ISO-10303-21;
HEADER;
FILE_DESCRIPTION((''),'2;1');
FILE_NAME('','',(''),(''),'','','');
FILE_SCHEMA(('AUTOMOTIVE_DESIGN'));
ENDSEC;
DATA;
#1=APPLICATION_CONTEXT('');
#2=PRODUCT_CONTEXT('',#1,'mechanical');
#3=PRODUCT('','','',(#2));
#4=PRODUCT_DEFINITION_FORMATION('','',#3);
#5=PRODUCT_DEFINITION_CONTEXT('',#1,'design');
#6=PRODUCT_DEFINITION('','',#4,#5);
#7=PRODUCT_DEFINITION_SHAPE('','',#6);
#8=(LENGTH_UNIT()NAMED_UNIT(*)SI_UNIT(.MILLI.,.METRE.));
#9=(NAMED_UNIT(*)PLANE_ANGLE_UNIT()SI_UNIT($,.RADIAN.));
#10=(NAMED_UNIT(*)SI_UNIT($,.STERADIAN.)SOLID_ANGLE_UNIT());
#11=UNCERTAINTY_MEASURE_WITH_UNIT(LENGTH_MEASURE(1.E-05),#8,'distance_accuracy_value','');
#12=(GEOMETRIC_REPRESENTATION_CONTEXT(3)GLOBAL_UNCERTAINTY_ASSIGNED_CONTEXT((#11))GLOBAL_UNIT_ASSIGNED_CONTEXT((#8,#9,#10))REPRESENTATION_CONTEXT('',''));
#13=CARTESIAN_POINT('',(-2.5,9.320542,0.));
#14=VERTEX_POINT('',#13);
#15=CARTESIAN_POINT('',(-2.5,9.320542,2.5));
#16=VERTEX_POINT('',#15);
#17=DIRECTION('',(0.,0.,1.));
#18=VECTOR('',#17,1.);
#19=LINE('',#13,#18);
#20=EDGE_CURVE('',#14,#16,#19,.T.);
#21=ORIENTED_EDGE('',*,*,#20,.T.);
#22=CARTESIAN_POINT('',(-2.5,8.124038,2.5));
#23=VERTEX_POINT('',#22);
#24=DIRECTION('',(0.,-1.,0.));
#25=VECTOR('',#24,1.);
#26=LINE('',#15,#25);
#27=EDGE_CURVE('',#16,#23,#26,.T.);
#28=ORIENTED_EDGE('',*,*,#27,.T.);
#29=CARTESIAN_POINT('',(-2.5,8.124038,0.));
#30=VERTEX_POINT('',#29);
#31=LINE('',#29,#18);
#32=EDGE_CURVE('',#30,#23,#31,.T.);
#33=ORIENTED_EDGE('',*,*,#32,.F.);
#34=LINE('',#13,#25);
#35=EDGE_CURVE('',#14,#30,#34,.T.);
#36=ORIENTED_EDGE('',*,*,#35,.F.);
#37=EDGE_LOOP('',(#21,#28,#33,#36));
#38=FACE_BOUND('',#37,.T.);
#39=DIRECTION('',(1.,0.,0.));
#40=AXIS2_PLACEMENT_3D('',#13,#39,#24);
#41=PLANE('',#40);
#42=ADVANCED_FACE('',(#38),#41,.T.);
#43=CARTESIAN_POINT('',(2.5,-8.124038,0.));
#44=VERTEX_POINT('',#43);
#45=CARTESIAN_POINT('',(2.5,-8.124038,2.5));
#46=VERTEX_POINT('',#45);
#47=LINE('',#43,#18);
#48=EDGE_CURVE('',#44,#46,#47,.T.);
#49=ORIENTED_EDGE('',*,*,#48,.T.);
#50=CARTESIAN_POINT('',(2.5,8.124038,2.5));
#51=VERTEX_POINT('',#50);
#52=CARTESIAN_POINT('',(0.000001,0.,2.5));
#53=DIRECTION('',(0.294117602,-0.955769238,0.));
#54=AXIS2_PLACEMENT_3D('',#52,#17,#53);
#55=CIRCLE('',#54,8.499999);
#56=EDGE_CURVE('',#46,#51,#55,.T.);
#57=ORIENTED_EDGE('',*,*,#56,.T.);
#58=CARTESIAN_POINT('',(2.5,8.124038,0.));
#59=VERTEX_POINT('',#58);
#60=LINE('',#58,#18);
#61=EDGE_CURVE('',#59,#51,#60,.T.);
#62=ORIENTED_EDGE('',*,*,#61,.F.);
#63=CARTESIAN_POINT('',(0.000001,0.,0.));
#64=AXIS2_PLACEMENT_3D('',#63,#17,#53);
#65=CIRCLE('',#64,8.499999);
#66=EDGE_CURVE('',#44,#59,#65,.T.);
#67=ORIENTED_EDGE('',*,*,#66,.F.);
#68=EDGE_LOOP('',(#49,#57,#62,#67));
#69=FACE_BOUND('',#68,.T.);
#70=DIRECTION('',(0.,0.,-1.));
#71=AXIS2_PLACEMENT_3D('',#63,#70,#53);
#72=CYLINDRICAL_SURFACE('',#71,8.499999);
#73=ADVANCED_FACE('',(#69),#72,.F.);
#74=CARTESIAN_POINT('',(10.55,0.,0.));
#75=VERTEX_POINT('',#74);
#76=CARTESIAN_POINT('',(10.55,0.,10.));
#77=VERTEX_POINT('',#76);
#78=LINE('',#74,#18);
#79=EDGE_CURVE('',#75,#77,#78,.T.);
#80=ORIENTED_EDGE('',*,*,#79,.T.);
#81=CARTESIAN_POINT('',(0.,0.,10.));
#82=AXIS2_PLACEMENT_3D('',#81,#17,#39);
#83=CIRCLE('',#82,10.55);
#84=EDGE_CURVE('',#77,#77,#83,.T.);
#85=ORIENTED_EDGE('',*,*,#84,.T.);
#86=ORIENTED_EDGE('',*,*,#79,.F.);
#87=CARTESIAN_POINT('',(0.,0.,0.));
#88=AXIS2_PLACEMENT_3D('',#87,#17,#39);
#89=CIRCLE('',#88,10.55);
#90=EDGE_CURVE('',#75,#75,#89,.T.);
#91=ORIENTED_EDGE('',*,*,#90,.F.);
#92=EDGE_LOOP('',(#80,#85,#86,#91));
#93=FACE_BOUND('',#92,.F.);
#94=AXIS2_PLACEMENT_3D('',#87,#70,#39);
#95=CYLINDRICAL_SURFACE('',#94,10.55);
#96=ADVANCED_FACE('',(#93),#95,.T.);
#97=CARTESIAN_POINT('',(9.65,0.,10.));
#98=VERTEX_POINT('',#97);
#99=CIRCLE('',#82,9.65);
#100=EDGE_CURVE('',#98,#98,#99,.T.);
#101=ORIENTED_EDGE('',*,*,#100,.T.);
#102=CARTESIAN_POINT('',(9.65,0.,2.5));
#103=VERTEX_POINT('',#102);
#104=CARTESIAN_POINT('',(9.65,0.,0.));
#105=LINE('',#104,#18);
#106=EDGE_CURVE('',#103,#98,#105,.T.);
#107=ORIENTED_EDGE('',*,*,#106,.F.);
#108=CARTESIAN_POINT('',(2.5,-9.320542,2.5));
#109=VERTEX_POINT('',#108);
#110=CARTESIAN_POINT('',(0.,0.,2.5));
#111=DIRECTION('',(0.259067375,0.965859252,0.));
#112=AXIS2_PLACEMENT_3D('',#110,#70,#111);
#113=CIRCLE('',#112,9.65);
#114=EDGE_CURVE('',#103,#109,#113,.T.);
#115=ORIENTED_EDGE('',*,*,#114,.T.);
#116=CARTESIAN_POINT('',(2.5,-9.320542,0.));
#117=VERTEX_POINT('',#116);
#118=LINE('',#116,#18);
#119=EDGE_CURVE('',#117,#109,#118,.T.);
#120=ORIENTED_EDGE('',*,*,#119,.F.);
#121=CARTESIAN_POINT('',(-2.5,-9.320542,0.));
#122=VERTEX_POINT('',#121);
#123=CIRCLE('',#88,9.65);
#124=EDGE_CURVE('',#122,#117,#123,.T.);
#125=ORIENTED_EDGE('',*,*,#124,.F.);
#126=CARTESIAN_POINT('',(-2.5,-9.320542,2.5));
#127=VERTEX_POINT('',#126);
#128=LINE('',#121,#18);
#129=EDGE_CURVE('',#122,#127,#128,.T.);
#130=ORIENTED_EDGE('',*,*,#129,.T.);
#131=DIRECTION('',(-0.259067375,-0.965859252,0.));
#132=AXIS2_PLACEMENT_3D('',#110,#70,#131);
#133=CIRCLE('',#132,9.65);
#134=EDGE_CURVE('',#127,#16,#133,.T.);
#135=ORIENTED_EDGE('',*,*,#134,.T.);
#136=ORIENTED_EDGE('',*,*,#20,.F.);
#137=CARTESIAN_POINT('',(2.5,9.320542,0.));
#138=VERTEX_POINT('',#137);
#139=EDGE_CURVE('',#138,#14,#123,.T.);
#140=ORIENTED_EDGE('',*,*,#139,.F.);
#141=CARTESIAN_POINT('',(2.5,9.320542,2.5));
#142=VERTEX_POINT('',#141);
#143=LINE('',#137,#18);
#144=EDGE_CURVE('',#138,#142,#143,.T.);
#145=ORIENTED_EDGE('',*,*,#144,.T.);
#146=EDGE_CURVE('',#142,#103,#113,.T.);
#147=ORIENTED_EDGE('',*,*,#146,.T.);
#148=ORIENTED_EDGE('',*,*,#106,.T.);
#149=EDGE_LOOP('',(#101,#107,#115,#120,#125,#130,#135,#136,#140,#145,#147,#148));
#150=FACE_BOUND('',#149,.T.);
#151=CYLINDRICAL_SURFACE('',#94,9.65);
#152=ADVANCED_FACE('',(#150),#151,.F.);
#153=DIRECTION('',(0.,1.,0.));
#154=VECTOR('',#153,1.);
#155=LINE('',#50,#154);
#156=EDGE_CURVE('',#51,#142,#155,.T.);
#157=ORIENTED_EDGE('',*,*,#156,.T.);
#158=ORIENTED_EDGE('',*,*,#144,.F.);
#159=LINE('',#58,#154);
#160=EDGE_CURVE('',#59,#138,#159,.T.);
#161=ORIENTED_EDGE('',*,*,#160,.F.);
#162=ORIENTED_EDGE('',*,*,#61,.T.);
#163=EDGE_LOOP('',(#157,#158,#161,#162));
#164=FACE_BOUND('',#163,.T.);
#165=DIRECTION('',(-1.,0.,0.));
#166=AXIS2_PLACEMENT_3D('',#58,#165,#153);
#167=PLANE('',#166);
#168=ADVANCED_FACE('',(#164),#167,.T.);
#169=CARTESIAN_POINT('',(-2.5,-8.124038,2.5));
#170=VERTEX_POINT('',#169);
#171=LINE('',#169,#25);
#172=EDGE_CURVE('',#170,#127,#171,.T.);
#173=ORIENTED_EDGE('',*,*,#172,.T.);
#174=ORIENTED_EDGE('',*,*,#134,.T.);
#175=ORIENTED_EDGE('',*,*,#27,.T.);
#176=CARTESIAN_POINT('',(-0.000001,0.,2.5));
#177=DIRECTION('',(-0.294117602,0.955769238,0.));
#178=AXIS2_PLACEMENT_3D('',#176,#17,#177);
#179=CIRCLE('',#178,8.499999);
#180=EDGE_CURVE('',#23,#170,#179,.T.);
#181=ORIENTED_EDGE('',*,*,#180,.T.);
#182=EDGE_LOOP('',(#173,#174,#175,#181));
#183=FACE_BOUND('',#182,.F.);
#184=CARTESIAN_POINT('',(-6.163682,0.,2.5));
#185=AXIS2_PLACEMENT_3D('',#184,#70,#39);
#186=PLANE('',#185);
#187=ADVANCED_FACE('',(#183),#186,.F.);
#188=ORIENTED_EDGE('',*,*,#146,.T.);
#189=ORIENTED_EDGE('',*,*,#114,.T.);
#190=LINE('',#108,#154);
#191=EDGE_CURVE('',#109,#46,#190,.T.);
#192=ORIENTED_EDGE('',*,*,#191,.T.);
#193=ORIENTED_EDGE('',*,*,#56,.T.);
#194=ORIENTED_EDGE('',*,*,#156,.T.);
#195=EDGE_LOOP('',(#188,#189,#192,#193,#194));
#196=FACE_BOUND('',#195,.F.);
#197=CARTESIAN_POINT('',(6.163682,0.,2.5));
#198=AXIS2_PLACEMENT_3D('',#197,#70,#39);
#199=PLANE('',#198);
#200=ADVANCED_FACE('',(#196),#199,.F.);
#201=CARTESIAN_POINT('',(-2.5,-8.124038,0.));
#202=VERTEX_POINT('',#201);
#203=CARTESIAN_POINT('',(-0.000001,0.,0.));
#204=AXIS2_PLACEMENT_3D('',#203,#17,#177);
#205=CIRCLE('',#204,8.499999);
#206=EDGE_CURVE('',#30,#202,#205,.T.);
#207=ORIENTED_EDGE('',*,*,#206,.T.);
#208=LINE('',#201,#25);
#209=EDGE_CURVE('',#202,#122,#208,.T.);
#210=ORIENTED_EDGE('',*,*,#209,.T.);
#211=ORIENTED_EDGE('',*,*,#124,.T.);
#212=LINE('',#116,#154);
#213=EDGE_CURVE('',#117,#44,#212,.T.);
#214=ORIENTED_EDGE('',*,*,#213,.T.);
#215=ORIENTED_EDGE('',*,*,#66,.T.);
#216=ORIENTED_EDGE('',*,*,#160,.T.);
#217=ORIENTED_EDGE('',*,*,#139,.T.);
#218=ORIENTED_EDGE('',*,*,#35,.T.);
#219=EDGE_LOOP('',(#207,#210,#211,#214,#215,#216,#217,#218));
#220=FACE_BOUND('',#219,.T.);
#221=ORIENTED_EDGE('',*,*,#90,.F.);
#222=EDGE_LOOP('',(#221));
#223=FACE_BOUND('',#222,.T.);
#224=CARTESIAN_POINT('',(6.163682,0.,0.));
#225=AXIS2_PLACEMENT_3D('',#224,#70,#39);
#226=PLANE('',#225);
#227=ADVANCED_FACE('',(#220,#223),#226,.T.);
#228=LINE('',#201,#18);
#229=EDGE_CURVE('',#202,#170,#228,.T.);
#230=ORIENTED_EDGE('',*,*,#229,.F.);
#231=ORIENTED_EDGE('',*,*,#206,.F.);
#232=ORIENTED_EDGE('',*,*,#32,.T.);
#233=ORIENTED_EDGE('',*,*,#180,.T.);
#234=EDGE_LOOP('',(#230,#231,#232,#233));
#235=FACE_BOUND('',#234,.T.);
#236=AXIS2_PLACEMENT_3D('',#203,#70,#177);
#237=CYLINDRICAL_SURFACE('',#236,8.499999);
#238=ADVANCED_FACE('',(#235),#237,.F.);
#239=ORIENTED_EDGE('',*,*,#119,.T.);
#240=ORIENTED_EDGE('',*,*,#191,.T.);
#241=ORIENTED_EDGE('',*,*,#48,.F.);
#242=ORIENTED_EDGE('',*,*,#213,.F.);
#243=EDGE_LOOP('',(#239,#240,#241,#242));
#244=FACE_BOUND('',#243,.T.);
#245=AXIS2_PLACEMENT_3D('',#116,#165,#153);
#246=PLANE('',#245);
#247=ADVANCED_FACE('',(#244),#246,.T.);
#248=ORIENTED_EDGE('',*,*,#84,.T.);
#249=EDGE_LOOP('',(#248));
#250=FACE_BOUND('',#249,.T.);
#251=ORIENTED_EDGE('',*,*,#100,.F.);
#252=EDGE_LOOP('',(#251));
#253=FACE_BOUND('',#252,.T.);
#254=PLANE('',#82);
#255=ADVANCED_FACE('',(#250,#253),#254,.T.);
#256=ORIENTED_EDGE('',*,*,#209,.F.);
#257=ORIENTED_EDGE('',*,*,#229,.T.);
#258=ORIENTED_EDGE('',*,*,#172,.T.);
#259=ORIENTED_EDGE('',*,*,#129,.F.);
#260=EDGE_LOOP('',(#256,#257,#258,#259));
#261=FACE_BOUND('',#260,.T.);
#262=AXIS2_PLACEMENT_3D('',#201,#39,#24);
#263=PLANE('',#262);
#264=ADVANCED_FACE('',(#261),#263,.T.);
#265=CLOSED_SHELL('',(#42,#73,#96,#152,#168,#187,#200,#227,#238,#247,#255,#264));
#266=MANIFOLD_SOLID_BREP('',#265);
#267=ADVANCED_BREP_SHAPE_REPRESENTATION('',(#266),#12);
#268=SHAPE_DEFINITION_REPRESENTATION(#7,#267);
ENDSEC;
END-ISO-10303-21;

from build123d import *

# Parameters (mm, degrees)
F0_R     = 10.55
F0_R_2   = 9.65
F1_DEPTH = 10
F3_DEPTH = 2.5


with BuildPart() as f1:
    # F0 (on Top) → F1 (new body)
    with BuildSketch(Plane.XY):
        Circle(F0_R)
        Circle(F0_R_2, mode=Mode.SUBTRACT)
    extrude(amount=F1_DEPTH)

    # F2 (on face) → F3 (join)
    with BuildSketch(Plane(origin=(0, 0, 0), x_dir=(1, 0, 0), z_dir=(0, 0, -1))):
        with BuildLine():
            ThreePointArc((-2.5, -8.124038), (-8.5, 0), (-2.5, 8.124038))
            Line((-2.5, 8.124038), (-2.5, 9.320542))
            ThreePointArc((-2.5, 9.320542), (-9.65, 0), (-2.5, -9.320542))
            Line((-2.5, -9.320542), (-2.5, -8.124038))
        make_face()
        with BuildLine():
            ThreePointArc((2.5, -9.320542), (9.65, 0), (2.5, 9.320542))
            Line((2.5, 9.320542), (2.5, 8.124038))
            ThreePointArc((2.5, 8.124038), (8.5, 0), (2.5, -8.124038))
            Line((2.5, -8.124038), (2.5, -9.320542))
        make_face()
    extrude(amount=-F3_DEPTH)


solid = f1.part
